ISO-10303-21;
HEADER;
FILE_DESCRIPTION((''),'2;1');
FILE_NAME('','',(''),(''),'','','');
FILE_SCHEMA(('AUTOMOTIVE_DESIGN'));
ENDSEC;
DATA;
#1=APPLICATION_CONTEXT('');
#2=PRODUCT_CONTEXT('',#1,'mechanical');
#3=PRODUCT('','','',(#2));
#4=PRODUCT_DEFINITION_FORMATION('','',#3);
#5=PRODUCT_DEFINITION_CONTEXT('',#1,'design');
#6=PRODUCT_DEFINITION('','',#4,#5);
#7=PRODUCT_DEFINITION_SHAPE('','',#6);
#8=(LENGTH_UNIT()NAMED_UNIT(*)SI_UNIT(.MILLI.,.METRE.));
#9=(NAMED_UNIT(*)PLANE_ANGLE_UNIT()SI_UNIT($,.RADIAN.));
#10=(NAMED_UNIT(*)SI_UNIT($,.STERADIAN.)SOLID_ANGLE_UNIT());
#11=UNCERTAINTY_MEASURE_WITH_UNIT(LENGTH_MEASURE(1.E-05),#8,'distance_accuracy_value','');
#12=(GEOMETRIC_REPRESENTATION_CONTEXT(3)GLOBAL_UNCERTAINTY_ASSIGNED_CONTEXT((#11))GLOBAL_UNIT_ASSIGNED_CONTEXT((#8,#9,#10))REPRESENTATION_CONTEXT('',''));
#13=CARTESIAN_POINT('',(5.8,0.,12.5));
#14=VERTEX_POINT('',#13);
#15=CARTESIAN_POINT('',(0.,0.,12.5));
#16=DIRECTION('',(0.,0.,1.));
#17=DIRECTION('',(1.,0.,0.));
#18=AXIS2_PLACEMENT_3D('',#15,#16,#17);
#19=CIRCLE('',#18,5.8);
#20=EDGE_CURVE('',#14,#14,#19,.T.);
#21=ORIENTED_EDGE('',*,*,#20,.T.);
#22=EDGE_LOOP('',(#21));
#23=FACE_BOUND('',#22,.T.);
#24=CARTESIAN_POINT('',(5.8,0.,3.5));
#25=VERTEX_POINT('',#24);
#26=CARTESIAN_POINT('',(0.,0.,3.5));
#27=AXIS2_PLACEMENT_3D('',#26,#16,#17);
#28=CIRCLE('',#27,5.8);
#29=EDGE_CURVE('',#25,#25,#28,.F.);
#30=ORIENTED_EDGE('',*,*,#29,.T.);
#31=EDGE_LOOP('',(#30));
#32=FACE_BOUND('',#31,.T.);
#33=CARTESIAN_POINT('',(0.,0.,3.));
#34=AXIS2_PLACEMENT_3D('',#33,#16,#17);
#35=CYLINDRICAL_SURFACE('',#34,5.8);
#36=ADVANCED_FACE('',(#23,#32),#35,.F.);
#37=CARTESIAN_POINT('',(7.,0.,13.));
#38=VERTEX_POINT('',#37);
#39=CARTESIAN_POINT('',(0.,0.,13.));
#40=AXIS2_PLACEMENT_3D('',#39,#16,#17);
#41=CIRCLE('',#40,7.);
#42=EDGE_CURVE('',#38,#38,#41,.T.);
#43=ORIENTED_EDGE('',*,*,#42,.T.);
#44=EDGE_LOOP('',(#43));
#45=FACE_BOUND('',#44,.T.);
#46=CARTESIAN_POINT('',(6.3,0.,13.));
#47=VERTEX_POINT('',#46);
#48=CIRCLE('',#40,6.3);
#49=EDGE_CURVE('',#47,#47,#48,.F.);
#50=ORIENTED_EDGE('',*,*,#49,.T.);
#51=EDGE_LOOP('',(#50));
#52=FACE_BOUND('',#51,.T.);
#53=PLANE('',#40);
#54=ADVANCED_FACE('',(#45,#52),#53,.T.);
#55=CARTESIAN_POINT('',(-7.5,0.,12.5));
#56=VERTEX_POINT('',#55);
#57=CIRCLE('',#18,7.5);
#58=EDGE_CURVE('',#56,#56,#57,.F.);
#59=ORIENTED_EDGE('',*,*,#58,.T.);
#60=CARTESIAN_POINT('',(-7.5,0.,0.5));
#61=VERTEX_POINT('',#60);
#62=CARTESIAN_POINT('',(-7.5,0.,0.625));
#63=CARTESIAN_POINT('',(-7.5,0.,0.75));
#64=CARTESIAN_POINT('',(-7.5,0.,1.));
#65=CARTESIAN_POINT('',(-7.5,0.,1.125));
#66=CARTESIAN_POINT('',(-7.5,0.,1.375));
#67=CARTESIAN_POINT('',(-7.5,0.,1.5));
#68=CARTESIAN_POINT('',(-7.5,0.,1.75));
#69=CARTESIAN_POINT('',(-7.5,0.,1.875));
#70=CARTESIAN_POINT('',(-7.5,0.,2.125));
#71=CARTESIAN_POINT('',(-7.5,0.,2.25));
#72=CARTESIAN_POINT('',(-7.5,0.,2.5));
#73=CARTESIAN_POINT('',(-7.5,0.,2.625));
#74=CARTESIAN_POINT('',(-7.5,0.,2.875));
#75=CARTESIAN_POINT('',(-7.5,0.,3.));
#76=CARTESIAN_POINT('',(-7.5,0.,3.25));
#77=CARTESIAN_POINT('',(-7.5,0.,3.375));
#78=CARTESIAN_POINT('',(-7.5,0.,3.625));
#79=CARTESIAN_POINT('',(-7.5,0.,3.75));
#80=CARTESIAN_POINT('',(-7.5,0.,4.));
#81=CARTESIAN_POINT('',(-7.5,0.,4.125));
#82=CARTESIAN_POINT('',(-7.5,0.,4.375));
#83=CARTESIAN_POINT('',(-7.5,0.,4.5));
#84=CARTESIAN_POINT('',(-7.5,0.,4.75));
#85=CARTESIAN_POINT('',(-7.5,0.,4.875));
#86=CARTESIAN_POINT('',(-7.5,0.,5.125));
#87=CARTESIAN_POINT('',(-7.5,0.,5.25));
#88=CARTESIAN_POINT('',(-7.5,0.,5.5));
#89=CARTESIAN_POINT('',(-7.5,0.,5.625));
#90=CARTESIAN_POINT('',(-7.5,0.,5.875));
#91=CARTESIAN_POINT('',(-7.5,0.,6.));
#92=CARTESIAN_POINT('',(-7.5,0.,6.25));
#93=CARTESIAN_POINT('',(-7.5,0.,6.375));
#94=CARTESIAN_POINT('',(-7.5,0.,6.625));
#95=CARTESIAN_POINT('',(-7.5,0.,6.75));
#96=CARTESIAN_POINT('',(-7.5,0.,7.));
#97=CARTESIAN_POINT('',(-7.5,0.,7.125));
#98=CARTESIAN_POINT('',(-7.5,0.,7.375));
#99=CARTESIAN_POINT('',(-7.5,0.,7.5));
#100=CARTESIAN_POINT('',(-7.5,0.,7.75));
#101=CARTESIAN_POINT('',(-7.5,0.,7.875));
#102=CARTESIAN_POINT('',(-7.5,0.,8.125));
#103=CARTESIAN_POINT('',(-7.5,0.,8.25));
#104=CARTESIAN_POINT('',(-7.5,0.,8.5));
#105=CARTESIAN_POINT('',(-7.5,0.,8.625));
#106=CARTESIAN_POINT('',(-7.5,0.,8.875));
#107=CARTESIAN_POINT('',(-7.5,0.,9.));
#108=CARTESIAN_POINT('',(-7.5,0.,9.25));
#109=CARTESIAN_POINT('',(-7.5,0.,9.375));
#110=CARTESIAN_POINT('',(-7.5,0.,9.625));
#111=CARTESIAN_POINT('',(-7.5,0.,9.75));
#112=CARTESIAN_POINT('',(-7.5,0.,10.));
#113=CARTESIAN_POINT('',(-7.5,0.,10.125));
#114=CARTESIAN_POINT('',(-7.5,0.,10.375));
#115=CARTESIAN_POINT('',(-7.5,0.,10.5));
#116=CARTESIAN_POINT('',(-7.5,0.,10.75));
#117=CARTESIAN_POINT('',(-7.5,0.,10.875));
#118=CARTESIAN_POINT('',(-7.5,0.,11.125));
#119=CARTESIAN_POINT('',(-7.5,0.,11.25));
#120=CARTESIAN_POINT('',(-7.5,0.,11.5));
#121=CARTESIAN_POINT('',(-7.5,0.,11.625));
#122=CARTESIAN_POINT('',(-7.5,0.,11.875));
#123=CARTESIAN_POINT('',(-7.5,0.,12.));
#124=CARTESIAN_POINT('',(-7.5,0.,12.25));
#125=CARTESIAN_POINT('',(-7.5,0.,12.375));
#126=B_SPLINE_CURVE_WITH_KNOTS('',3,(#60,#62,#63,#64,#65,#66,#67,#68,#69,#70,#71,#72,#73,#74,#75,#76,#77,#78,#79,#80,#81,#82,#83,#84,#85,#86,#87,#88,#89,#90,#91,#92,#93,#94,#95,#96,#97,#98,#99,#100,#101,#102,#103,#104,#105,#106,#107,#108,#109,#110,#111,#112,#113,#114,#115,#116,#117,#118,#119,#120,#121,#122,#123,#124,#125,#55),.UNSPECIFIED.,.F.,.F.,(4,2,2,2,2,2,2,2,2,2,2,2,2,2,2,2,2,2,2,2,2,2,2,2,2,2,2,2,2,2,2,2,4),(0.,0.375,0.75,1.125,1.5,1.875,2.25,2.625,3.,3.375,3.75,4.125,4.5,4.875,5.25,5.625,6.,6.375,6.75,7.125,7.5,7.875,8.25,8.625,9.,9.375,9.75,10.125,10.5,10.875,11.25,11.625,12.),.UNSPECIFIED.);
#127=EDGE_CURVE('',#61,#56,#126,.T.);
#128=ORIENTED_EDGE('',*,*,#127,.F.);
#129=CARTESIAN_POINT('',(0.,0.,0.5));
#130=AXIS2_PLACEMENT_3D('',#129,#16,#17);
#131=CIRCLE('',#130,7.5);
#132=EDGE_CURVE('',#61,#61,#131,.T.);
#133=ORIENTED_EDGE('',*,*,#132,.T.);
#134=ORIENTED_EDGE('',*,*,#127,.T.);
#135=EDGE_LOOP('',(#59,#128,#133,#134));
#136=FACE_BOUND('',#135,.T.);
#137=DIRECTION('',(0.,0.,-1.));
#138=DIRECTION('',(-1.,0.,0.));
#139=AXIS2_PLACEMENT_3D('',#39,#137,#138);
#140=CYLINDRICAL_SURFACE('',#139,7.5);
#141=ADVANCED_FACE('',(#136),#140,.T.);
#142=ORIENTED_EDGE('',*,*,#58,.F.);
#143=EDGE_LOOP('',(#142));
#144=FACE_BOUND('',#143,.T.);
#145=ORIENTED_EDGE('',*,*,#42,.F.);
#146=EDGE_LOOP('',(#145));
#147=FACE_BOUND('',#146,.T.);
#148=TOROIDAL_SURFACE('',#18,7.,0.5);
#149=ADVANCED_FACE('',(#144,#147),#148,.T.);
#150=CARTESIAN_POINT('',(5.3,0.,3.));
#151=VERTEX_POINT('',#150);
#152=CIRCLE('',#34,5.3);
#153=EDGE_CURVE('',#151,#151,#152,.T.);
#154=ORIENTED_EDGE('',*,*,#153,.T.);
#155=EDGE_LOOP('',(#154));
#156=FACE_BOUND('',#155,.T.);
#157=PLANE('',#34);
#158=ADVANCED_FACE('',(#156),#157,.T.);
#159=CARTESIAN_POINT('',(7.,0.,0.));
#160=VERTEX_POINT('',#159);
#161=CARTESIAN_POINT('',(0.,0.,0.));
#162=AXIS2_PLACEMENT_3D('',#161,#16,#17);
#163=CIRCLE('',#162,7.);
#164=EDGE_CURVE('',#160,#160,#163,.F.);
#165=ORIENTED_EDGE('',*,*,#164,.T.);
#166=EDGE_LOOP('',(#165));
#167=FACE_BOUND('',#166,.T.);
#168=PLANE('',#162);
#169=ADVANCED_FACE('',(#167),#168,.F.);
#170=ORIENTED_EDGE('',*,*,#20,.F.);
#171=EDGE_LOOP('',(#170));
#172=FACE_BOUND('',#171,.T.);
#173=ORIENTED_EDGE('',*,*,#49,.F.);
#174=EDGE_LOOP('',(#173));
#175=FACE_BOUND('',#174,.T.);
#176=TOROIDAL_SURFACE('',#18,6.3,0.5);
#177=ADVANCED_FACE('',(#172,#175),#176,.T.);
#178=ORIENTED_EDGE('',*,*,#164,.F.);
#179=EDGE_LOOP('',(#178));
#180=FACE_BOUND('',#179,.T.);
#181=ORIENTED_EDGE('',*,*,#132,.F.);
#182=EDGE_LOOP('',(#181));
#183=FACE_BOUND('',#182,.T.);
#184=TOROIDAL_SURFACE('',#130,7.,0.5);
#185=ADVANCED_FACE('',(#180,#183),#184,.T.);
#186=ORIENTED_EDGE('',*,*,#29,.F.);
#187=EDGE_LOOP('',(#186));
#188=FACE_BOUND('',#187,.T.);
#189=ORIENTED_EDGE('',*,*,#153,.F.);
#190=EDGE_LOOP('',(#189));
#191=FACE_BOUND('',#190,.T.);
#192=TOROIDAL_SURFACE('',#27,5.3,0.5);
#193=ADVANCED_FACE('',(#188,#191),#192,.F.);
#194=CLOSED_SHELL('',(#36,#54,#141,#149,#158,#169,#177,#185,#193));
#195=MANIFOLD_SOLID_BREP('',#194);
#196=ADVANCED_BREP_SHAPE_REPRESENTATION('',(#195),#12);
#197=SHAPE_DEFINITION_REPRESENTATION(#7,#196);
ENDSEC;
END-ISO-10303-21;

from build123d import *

# Parameters (mm, degrees)
SKETCH1_R           = 7.5
BOSS_EXTRUDE1_DEPTH = 13
SKETCH3_R           = 5.8
CUT_EXTRUDE1_DEPTH  = 10
FILLET1_R           = 0.5


with BuildPart() as part:
    # Sketch1 → Boss-Extrude1 (new body)
    with BuildSketch(Plane.XY):
        with Locations(Location((0, 0, 0), (0, 0, 180))):
            Circle(SKETCH1_R)
    extrude(amount=BOSS_EXTRUDE1_DEPTH)

    # Sketch3 → Cut-Extrude1 (cut)
    with BuildSketch(Plane.XY.offset(13)):
        Circle(SKETCH3_R)
    extrude(amount=-CUT_EXTRUDE1_DEPTH, mode=Mode.SUBTRACT)

    # Fillet1
    fillet1_edges = [part.edges().sort_by_distance(p)[0] for p in [
        (7.5, 0, 0),
        (7.5, 0, 13),
        (-5.8, 0, 3),
        (-5.8, 0, 13),
    ]]
    fillet(fillet1_edges, radius=FILLET1_R)


solid = part.part
